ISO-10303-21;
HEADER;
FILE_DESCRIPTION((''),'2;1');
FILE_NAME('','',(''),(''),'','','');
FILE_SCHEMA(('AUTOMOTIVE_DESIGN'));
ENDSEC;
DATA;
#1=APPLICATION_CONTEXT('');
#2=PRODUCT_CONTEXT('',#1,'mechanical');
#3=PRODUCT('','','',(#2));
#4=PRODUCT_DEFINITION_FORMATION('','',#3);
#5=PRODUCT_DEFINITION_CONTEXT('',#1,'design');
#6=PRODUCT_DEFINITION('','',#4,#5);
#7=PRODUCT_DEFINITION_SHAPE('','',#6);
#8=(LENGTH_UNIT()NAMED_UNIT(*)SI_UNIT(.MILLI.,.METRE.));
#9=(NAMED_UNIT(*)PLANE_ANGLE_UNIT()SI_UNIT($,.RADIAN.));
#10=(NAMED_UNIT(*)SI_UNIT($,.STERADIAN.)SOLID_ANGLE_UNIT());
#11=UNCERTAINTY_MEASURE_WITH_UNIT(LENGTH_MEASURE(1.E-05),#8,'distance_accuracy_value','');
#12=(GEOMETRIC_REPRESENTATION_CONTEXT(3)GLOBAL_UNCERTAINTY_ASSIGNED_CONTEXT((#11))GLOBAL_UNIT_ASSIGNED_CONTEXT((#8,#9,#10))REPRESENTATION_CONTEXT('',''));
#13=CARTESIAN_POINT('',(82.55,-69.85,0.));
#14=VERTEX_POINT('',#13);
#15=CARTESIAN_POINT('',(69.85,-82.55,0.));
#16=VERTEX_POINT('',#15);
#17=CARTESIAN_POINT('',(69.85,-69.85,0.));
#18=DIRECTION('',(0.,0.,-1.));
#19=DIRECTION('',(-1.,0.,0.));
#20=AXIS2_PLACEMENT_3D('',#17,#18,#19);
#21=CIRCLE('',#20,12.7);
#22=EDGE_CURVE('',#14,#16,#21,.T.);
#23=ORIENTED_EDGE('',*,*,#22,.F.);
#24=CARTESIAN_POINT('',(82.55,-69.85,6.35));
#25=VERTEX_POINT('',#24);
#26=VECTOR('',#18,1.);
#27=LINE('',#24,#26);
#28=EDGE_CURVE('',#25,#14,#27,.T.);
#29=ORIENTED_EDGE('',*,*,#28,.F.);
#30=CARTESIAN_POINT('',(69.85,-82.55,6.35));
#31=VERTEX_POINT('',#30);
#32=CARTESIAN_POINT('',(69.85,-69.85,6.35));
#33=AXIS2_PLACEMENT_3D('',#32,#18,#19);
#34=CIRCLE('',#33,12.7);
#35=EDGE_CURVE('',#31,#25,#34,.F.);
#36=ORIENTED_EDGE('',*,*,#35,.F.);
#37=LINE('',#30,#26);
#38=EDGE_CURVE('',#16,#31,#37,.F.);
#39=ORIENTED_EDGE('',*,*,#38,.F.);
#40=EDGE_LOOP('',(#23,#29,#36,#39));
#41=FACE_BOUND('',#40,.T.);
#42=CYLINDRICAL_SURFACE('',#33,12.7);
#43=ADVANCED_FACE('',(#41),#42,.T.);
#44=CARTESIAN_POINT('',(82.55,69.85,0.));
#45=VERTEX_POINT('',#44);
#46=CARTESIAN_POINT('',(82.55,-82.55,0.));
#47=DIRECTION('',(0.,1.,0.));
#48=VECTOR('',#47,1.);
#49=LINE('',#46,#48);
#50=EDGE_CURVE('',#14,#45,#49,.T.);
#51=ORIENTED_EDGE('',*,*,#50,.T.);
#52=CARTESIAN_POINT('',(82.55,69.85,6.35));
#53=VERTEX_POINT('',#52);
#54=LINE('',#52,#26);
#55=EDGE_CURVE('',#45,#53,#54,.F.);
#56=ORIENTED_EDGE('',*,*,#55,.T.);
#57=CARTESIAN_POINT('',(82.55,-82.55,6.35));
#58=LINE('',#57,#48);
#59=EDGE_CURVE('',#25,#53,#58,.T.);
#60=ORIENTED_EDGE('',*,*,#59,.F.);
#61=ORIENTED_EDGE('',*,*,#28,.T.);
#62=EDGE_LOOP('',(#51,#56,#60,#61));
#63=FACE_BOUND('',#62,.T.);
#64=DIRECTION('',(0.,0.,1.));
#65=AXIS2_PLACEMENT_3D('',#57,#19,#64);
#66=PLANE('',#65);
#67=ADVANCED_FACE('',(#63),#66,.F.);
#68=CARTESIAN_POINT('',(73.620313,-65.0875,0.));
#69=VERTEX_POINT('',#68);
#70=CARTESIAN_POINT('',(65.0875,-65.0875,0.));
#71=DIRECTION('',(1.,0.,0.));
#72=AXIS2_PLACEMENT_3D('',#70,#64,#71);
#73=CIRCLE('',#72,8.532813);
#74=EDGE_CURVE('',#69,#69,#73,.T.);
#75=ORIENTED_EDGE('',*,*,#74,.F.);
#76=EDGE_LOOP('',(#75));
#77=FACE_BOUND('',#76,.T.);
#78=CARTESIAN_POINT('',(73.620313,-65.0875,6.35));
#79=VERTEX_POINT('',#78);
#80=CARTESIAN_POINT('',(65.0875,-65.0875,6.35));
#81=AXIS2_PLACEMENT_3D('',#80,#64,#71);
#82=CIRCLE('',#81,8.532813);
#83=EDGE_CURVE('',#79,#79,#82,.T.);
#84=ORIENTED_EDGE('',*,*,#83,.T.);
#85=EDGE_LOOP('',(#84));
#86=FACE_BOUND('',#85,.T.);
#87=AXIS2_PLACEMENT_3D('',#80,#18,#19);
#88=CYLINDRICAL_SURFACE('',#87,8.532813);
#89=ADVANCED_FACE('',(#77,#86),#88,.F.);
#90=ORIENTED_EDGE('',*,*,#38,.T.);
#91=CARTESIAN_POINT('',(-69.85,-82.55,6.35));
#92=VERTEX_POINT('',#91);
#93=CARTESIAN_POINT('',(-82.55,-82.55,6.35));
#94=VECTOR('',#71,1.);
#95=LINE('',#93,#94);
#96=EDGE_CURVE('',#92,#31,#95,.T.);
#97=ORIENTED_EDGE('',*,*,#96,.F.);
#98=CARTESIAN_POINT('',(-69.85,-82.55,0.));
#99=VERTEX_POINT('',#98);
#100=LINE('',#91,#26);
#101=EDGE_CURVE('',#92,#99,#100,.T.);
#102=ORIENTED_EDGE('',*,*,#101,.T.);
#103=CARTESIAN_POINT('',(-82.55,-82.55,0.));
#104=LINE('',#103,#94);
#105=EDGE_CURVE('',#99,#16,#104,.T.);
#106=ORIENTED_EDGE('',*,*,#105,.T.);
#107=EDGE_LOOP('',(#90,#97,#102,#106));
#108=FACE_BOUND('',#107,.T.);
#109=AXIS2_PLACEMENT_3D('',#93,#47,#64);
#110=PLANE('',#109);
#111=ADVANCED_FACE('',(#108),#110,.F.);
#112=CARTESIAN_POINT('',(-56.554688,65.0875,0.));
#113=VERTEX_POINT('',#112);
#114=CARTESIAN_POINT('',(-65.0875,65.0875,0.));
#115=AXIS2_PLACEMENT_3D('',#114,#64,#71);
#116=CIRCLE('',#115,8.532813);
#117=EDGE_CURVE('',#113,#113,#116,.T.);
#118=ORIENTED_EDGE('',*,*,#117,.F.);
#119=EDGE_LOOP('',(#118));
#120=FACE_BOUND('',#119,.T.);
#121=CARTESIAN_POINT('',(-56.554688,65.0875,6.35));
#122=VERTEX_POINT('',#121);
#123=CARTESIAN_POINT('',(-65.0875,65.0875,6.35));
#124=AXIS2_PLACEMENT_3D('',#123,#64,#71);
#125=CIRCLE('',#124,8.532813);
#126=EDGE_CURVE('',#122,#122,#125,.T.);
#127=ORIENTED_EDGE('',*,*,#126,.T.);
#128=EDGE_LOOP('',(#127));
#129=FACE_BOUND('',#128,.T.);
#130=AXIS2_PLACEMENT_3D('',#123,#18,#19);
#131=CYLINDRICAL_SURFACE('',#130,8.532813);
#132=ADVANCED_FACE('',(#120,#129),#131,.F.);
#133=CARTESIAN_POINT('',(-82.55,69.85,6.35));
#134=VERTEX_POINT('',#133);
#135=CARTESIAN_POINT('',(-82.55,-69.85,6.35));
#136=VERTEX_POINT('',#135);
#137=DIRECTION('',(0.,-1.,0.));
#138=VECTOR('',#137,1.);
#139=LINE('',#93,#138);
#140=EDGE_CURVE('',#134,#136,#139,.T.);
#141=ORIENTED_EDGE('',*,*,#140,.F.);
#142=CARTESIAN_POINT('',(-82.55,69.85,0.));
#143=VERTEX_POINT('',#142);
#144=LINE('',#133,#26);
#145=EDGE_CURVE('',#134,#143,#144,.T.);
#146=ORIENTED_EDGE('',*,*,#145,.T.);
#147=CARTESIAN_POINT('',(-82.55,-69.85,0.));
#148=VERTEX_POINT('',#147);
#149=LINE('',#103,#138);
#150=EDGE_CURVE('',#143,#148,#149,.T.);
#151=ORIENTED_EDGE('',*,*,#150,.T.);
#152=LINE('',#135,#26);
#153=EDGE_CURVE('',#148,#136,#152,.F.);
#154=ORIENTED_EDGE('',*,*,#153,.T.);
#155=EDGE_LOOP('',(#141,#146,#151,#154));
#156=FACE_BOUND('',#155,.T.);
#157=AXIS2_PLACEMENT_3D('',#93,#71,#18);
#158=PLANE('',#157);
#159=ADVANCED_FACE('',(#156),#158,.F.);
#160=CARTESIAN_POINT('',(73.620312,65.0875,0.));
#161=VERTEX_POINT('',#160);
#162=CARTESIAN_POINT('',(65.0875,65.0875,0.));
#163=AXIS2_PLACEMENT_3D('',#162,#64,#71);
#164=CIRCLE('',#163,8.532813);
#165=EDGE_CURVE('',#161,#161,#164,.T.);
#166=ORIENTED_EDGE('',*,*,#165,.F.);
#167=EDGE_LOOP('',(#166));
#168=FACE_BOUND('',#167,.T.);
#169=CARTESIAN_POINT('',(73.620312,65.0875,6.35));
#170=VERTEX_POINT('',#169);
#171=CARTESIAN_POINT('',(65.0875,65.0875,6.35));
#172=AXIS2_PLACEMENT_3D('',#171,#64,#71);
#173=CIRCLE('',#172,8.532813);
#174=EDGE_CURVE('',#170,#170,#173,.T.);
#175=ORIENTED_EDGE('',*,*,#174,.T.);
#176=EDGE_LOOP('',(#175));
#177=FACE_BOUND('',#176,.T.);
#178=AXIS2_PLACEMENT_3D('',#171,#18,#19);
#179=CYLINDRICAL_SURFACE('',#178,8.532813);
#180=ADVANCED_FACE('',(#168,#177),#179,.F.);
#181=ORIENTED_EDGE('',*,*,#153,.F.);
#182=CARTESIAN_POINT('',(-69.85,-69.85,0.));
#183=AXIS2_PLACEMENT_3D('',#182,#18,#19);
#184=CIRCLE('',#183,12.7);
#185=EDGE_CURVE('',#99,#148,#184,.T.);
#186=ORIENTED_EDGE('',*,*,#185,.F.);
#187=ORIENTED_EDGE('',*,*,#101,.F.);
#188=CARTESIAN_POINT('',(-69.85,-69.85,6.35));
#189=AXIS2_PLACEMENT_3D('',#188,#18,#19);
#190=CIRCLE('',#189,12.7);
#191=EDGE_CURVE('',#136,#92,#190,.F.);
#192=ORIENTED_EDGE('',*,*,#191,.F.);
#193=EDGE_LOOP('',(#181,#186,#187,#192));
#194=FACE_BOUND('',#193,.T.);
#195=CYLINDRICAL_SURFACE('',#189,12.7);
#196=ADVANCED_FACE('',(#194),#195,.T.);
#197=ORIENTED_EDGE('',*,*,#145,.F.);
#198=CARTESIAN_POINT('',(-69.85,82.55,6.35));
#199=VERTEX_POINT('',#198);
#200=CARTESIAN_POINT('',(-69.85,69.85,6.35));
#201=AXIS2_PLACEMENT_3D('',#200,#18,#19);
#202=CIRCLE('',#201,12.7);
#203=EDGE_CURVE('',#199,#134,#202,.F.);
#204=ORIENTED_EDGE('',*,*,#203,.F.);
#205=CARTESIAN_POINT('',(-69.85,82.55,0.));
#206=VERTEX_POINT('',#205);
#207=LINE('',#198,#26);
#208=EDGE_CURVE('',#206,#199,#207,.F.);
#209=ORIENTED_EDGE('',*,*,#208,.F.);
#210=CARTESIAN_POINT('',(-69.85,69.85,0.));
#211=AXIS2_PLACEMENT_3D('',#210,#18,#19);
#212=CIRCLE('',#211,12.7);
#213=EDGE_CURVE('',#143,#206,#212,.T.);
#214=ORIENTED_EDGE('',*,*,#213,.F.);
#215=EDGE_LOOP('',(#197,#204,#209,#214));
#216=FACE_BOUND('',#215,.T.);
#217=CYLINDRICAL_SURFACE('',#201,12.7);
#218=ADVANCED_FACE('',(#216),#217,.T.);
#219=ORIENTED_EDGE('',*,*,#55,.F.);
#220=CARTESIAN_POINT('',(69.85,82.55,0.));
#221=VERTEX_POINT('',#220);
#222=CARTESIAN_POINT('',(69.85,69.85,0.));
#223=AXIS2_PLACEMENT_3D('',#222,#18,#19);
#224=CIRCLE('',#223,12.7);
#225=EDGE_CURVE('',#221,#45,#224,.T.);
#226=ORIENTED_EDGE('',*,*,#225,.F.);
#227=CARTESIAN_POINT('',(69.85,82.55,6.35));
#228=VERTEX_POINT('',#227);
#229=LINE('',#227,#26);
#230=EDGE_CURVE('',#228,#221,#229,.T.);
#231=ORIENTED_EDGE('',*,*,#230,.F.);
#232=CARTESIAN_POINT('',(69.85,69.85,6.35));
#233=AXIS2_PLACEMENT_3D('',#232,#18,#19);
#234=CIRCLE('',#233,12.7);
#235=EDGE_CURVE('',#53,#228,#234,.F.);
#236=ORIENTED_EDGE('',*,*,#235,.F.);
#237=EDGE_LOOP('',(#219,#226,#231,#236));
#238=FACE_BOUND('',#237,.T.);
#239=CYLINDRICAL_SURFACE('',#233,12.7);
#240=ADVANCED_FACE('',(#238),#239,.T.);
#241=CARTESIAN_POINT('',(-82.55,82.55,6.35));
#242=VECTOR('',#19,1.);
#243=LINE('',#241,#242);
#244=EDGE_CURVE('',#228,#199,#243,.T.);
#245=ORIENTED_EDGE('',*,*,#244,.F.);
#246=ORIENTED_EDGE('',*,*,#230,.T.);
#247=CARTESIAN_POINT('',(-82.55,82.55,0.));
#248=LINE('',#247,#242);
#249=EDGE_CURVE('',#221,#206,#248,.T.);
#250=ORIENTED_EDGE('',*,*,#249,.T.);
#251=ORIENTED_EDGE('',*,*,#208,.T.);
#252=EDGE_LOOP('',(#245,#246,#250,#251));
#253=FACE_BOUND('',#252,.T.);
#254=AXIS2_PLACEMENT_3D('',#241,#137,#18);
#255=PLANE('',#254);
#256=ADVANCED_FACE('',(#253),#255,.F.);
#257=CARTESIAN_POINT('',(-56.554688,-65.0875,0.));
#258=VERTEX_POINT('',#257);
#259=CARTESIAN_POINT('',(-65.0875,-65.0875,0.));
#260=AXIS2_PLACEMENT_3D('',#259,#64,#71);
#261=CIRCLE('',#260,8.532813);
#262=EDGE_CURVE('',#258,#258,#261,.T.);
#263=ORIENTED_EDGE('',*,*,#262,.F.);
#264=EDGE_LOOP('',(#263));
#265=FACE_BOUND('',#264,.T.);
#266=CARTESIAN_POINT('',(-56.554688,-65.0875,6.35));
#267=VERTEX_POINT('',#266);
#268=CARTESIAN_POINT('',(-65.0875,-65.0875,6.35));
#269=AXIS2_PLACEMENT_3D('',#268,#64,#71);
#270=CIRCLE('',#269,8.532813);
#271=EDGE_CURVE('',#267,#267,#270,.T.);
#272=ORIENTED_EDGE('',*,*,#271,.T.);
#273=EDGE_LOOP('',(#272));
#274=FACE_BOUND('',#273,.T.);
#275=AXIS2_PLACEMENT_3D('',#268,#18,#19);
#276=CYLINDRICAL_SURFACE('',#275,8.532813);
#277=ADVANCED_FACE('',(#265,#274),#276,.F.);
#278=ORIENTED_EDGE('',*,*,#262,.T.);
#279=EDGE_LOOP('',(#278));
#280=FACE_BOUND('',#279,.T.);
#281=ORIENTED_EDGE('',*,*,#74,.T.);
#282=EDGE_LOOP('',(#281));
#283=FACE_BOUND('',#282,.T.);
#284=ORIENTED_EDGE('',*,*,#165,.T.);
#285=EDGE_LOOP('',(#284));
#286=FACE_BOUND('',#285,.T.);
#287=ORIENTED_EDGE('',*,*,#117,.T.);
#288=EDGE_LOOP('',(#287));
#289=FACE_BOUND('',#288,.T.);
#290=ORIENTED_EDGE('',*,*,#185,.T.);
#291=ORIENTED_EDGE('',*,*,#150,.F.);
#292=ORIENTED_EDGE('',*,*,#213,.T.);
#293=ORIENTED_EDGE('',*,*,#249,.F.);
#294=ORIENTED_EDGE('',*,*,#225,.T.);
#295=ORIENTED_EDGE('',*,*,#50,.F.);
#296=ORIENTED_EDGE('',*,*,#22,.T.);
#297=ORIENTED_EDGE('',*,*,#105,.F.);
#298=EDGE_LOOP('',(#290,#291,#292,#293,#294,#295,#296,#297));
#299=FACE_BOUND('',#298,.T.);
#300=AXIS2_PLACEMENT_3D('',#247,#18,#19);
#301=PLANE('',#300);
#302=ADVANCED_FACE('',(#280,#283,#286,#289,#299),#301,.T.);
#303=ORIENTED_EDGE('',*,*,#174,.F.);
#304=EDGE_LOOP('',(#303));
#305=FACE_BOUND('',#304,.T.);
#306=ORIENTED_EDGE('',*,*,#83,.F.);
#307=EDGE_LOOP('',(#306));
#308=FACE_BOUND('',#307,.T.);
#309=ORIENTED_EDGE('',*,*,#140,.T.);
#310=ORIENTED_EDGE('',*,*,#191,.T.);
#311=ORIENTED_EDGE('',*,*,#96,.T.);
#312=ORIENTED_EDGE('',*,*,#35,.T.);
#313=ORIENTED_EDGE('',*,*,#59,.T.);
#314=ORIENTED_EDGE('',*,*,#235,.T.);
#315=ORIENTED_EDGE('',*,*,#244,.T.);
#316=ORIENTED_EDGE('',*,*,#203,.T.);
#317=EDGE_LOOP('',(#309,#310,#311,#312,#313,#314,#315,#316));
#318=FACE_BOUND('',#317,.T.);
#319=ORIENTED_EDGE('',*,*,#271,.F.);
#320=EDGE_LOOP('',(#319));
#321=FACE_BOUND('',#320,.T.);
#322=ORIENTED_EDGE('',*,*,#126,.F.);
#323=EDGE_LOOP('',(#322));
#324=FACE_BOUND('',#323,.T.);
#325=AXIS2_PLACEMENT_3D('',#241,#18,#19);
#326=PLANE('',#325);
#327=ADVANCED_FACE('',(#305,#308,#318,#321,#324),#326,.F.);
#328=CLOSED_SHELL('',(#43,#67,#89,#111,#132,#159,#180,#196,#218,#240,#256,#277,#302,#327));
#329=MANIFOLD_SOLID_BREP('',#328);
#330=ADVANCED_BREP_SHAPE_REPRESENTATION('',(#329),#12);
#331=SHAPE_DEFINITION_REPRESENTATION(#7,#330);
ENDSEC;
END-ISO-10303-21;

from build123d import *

# Parameters (mm, degrees)
SKETCH1_W      = 165.1
SKETCH1_H      = 165.1
SKETCH1_R      = 8.5328125
EXTRUDE1_DEPTH = 6.35
FILLET1_R      = 12.7


with BuildPart() as part:
    # Sketch1 → Extrude1 (new body)
    with BuildSketch(Plane.XY):
        Rectangle(SKETCH1_W, SKETCH1_H)
        with Locations((-65.0875, -65.0875)):
            Circle(SKETCH1_R, mode=Mode.SUBTRACT)
        with Locations((-65.0875, 65.0875)):
            Circle(SKETCH1_R, mode=Mode.SUBTRACT)
        with Locations((65.0875, 65.0875)):
            Circle(SKETCH1_R, mode=Mode.SUBTRACT)
        with Locations((65.0875, -65.0875)):
            Circle(SKETCH1_R, mode=Mode.SUBTRACT)
    extrude(amount=EXTRUDE1_DEPTH)

    # Fillet1
    fillet1_edges = [part.edges().sort_by_distance(p)[0] for p in [
        (-82.55, 82.55, 3.175),
        (82.55, 82.55, 3.175),
        (82.55, -82.55, 3.175),
        (-82.55, -82.55, 3.175),
    ]]
    fillet(fillet1_edges, radius=FILLET1_R)


solid = part.part
